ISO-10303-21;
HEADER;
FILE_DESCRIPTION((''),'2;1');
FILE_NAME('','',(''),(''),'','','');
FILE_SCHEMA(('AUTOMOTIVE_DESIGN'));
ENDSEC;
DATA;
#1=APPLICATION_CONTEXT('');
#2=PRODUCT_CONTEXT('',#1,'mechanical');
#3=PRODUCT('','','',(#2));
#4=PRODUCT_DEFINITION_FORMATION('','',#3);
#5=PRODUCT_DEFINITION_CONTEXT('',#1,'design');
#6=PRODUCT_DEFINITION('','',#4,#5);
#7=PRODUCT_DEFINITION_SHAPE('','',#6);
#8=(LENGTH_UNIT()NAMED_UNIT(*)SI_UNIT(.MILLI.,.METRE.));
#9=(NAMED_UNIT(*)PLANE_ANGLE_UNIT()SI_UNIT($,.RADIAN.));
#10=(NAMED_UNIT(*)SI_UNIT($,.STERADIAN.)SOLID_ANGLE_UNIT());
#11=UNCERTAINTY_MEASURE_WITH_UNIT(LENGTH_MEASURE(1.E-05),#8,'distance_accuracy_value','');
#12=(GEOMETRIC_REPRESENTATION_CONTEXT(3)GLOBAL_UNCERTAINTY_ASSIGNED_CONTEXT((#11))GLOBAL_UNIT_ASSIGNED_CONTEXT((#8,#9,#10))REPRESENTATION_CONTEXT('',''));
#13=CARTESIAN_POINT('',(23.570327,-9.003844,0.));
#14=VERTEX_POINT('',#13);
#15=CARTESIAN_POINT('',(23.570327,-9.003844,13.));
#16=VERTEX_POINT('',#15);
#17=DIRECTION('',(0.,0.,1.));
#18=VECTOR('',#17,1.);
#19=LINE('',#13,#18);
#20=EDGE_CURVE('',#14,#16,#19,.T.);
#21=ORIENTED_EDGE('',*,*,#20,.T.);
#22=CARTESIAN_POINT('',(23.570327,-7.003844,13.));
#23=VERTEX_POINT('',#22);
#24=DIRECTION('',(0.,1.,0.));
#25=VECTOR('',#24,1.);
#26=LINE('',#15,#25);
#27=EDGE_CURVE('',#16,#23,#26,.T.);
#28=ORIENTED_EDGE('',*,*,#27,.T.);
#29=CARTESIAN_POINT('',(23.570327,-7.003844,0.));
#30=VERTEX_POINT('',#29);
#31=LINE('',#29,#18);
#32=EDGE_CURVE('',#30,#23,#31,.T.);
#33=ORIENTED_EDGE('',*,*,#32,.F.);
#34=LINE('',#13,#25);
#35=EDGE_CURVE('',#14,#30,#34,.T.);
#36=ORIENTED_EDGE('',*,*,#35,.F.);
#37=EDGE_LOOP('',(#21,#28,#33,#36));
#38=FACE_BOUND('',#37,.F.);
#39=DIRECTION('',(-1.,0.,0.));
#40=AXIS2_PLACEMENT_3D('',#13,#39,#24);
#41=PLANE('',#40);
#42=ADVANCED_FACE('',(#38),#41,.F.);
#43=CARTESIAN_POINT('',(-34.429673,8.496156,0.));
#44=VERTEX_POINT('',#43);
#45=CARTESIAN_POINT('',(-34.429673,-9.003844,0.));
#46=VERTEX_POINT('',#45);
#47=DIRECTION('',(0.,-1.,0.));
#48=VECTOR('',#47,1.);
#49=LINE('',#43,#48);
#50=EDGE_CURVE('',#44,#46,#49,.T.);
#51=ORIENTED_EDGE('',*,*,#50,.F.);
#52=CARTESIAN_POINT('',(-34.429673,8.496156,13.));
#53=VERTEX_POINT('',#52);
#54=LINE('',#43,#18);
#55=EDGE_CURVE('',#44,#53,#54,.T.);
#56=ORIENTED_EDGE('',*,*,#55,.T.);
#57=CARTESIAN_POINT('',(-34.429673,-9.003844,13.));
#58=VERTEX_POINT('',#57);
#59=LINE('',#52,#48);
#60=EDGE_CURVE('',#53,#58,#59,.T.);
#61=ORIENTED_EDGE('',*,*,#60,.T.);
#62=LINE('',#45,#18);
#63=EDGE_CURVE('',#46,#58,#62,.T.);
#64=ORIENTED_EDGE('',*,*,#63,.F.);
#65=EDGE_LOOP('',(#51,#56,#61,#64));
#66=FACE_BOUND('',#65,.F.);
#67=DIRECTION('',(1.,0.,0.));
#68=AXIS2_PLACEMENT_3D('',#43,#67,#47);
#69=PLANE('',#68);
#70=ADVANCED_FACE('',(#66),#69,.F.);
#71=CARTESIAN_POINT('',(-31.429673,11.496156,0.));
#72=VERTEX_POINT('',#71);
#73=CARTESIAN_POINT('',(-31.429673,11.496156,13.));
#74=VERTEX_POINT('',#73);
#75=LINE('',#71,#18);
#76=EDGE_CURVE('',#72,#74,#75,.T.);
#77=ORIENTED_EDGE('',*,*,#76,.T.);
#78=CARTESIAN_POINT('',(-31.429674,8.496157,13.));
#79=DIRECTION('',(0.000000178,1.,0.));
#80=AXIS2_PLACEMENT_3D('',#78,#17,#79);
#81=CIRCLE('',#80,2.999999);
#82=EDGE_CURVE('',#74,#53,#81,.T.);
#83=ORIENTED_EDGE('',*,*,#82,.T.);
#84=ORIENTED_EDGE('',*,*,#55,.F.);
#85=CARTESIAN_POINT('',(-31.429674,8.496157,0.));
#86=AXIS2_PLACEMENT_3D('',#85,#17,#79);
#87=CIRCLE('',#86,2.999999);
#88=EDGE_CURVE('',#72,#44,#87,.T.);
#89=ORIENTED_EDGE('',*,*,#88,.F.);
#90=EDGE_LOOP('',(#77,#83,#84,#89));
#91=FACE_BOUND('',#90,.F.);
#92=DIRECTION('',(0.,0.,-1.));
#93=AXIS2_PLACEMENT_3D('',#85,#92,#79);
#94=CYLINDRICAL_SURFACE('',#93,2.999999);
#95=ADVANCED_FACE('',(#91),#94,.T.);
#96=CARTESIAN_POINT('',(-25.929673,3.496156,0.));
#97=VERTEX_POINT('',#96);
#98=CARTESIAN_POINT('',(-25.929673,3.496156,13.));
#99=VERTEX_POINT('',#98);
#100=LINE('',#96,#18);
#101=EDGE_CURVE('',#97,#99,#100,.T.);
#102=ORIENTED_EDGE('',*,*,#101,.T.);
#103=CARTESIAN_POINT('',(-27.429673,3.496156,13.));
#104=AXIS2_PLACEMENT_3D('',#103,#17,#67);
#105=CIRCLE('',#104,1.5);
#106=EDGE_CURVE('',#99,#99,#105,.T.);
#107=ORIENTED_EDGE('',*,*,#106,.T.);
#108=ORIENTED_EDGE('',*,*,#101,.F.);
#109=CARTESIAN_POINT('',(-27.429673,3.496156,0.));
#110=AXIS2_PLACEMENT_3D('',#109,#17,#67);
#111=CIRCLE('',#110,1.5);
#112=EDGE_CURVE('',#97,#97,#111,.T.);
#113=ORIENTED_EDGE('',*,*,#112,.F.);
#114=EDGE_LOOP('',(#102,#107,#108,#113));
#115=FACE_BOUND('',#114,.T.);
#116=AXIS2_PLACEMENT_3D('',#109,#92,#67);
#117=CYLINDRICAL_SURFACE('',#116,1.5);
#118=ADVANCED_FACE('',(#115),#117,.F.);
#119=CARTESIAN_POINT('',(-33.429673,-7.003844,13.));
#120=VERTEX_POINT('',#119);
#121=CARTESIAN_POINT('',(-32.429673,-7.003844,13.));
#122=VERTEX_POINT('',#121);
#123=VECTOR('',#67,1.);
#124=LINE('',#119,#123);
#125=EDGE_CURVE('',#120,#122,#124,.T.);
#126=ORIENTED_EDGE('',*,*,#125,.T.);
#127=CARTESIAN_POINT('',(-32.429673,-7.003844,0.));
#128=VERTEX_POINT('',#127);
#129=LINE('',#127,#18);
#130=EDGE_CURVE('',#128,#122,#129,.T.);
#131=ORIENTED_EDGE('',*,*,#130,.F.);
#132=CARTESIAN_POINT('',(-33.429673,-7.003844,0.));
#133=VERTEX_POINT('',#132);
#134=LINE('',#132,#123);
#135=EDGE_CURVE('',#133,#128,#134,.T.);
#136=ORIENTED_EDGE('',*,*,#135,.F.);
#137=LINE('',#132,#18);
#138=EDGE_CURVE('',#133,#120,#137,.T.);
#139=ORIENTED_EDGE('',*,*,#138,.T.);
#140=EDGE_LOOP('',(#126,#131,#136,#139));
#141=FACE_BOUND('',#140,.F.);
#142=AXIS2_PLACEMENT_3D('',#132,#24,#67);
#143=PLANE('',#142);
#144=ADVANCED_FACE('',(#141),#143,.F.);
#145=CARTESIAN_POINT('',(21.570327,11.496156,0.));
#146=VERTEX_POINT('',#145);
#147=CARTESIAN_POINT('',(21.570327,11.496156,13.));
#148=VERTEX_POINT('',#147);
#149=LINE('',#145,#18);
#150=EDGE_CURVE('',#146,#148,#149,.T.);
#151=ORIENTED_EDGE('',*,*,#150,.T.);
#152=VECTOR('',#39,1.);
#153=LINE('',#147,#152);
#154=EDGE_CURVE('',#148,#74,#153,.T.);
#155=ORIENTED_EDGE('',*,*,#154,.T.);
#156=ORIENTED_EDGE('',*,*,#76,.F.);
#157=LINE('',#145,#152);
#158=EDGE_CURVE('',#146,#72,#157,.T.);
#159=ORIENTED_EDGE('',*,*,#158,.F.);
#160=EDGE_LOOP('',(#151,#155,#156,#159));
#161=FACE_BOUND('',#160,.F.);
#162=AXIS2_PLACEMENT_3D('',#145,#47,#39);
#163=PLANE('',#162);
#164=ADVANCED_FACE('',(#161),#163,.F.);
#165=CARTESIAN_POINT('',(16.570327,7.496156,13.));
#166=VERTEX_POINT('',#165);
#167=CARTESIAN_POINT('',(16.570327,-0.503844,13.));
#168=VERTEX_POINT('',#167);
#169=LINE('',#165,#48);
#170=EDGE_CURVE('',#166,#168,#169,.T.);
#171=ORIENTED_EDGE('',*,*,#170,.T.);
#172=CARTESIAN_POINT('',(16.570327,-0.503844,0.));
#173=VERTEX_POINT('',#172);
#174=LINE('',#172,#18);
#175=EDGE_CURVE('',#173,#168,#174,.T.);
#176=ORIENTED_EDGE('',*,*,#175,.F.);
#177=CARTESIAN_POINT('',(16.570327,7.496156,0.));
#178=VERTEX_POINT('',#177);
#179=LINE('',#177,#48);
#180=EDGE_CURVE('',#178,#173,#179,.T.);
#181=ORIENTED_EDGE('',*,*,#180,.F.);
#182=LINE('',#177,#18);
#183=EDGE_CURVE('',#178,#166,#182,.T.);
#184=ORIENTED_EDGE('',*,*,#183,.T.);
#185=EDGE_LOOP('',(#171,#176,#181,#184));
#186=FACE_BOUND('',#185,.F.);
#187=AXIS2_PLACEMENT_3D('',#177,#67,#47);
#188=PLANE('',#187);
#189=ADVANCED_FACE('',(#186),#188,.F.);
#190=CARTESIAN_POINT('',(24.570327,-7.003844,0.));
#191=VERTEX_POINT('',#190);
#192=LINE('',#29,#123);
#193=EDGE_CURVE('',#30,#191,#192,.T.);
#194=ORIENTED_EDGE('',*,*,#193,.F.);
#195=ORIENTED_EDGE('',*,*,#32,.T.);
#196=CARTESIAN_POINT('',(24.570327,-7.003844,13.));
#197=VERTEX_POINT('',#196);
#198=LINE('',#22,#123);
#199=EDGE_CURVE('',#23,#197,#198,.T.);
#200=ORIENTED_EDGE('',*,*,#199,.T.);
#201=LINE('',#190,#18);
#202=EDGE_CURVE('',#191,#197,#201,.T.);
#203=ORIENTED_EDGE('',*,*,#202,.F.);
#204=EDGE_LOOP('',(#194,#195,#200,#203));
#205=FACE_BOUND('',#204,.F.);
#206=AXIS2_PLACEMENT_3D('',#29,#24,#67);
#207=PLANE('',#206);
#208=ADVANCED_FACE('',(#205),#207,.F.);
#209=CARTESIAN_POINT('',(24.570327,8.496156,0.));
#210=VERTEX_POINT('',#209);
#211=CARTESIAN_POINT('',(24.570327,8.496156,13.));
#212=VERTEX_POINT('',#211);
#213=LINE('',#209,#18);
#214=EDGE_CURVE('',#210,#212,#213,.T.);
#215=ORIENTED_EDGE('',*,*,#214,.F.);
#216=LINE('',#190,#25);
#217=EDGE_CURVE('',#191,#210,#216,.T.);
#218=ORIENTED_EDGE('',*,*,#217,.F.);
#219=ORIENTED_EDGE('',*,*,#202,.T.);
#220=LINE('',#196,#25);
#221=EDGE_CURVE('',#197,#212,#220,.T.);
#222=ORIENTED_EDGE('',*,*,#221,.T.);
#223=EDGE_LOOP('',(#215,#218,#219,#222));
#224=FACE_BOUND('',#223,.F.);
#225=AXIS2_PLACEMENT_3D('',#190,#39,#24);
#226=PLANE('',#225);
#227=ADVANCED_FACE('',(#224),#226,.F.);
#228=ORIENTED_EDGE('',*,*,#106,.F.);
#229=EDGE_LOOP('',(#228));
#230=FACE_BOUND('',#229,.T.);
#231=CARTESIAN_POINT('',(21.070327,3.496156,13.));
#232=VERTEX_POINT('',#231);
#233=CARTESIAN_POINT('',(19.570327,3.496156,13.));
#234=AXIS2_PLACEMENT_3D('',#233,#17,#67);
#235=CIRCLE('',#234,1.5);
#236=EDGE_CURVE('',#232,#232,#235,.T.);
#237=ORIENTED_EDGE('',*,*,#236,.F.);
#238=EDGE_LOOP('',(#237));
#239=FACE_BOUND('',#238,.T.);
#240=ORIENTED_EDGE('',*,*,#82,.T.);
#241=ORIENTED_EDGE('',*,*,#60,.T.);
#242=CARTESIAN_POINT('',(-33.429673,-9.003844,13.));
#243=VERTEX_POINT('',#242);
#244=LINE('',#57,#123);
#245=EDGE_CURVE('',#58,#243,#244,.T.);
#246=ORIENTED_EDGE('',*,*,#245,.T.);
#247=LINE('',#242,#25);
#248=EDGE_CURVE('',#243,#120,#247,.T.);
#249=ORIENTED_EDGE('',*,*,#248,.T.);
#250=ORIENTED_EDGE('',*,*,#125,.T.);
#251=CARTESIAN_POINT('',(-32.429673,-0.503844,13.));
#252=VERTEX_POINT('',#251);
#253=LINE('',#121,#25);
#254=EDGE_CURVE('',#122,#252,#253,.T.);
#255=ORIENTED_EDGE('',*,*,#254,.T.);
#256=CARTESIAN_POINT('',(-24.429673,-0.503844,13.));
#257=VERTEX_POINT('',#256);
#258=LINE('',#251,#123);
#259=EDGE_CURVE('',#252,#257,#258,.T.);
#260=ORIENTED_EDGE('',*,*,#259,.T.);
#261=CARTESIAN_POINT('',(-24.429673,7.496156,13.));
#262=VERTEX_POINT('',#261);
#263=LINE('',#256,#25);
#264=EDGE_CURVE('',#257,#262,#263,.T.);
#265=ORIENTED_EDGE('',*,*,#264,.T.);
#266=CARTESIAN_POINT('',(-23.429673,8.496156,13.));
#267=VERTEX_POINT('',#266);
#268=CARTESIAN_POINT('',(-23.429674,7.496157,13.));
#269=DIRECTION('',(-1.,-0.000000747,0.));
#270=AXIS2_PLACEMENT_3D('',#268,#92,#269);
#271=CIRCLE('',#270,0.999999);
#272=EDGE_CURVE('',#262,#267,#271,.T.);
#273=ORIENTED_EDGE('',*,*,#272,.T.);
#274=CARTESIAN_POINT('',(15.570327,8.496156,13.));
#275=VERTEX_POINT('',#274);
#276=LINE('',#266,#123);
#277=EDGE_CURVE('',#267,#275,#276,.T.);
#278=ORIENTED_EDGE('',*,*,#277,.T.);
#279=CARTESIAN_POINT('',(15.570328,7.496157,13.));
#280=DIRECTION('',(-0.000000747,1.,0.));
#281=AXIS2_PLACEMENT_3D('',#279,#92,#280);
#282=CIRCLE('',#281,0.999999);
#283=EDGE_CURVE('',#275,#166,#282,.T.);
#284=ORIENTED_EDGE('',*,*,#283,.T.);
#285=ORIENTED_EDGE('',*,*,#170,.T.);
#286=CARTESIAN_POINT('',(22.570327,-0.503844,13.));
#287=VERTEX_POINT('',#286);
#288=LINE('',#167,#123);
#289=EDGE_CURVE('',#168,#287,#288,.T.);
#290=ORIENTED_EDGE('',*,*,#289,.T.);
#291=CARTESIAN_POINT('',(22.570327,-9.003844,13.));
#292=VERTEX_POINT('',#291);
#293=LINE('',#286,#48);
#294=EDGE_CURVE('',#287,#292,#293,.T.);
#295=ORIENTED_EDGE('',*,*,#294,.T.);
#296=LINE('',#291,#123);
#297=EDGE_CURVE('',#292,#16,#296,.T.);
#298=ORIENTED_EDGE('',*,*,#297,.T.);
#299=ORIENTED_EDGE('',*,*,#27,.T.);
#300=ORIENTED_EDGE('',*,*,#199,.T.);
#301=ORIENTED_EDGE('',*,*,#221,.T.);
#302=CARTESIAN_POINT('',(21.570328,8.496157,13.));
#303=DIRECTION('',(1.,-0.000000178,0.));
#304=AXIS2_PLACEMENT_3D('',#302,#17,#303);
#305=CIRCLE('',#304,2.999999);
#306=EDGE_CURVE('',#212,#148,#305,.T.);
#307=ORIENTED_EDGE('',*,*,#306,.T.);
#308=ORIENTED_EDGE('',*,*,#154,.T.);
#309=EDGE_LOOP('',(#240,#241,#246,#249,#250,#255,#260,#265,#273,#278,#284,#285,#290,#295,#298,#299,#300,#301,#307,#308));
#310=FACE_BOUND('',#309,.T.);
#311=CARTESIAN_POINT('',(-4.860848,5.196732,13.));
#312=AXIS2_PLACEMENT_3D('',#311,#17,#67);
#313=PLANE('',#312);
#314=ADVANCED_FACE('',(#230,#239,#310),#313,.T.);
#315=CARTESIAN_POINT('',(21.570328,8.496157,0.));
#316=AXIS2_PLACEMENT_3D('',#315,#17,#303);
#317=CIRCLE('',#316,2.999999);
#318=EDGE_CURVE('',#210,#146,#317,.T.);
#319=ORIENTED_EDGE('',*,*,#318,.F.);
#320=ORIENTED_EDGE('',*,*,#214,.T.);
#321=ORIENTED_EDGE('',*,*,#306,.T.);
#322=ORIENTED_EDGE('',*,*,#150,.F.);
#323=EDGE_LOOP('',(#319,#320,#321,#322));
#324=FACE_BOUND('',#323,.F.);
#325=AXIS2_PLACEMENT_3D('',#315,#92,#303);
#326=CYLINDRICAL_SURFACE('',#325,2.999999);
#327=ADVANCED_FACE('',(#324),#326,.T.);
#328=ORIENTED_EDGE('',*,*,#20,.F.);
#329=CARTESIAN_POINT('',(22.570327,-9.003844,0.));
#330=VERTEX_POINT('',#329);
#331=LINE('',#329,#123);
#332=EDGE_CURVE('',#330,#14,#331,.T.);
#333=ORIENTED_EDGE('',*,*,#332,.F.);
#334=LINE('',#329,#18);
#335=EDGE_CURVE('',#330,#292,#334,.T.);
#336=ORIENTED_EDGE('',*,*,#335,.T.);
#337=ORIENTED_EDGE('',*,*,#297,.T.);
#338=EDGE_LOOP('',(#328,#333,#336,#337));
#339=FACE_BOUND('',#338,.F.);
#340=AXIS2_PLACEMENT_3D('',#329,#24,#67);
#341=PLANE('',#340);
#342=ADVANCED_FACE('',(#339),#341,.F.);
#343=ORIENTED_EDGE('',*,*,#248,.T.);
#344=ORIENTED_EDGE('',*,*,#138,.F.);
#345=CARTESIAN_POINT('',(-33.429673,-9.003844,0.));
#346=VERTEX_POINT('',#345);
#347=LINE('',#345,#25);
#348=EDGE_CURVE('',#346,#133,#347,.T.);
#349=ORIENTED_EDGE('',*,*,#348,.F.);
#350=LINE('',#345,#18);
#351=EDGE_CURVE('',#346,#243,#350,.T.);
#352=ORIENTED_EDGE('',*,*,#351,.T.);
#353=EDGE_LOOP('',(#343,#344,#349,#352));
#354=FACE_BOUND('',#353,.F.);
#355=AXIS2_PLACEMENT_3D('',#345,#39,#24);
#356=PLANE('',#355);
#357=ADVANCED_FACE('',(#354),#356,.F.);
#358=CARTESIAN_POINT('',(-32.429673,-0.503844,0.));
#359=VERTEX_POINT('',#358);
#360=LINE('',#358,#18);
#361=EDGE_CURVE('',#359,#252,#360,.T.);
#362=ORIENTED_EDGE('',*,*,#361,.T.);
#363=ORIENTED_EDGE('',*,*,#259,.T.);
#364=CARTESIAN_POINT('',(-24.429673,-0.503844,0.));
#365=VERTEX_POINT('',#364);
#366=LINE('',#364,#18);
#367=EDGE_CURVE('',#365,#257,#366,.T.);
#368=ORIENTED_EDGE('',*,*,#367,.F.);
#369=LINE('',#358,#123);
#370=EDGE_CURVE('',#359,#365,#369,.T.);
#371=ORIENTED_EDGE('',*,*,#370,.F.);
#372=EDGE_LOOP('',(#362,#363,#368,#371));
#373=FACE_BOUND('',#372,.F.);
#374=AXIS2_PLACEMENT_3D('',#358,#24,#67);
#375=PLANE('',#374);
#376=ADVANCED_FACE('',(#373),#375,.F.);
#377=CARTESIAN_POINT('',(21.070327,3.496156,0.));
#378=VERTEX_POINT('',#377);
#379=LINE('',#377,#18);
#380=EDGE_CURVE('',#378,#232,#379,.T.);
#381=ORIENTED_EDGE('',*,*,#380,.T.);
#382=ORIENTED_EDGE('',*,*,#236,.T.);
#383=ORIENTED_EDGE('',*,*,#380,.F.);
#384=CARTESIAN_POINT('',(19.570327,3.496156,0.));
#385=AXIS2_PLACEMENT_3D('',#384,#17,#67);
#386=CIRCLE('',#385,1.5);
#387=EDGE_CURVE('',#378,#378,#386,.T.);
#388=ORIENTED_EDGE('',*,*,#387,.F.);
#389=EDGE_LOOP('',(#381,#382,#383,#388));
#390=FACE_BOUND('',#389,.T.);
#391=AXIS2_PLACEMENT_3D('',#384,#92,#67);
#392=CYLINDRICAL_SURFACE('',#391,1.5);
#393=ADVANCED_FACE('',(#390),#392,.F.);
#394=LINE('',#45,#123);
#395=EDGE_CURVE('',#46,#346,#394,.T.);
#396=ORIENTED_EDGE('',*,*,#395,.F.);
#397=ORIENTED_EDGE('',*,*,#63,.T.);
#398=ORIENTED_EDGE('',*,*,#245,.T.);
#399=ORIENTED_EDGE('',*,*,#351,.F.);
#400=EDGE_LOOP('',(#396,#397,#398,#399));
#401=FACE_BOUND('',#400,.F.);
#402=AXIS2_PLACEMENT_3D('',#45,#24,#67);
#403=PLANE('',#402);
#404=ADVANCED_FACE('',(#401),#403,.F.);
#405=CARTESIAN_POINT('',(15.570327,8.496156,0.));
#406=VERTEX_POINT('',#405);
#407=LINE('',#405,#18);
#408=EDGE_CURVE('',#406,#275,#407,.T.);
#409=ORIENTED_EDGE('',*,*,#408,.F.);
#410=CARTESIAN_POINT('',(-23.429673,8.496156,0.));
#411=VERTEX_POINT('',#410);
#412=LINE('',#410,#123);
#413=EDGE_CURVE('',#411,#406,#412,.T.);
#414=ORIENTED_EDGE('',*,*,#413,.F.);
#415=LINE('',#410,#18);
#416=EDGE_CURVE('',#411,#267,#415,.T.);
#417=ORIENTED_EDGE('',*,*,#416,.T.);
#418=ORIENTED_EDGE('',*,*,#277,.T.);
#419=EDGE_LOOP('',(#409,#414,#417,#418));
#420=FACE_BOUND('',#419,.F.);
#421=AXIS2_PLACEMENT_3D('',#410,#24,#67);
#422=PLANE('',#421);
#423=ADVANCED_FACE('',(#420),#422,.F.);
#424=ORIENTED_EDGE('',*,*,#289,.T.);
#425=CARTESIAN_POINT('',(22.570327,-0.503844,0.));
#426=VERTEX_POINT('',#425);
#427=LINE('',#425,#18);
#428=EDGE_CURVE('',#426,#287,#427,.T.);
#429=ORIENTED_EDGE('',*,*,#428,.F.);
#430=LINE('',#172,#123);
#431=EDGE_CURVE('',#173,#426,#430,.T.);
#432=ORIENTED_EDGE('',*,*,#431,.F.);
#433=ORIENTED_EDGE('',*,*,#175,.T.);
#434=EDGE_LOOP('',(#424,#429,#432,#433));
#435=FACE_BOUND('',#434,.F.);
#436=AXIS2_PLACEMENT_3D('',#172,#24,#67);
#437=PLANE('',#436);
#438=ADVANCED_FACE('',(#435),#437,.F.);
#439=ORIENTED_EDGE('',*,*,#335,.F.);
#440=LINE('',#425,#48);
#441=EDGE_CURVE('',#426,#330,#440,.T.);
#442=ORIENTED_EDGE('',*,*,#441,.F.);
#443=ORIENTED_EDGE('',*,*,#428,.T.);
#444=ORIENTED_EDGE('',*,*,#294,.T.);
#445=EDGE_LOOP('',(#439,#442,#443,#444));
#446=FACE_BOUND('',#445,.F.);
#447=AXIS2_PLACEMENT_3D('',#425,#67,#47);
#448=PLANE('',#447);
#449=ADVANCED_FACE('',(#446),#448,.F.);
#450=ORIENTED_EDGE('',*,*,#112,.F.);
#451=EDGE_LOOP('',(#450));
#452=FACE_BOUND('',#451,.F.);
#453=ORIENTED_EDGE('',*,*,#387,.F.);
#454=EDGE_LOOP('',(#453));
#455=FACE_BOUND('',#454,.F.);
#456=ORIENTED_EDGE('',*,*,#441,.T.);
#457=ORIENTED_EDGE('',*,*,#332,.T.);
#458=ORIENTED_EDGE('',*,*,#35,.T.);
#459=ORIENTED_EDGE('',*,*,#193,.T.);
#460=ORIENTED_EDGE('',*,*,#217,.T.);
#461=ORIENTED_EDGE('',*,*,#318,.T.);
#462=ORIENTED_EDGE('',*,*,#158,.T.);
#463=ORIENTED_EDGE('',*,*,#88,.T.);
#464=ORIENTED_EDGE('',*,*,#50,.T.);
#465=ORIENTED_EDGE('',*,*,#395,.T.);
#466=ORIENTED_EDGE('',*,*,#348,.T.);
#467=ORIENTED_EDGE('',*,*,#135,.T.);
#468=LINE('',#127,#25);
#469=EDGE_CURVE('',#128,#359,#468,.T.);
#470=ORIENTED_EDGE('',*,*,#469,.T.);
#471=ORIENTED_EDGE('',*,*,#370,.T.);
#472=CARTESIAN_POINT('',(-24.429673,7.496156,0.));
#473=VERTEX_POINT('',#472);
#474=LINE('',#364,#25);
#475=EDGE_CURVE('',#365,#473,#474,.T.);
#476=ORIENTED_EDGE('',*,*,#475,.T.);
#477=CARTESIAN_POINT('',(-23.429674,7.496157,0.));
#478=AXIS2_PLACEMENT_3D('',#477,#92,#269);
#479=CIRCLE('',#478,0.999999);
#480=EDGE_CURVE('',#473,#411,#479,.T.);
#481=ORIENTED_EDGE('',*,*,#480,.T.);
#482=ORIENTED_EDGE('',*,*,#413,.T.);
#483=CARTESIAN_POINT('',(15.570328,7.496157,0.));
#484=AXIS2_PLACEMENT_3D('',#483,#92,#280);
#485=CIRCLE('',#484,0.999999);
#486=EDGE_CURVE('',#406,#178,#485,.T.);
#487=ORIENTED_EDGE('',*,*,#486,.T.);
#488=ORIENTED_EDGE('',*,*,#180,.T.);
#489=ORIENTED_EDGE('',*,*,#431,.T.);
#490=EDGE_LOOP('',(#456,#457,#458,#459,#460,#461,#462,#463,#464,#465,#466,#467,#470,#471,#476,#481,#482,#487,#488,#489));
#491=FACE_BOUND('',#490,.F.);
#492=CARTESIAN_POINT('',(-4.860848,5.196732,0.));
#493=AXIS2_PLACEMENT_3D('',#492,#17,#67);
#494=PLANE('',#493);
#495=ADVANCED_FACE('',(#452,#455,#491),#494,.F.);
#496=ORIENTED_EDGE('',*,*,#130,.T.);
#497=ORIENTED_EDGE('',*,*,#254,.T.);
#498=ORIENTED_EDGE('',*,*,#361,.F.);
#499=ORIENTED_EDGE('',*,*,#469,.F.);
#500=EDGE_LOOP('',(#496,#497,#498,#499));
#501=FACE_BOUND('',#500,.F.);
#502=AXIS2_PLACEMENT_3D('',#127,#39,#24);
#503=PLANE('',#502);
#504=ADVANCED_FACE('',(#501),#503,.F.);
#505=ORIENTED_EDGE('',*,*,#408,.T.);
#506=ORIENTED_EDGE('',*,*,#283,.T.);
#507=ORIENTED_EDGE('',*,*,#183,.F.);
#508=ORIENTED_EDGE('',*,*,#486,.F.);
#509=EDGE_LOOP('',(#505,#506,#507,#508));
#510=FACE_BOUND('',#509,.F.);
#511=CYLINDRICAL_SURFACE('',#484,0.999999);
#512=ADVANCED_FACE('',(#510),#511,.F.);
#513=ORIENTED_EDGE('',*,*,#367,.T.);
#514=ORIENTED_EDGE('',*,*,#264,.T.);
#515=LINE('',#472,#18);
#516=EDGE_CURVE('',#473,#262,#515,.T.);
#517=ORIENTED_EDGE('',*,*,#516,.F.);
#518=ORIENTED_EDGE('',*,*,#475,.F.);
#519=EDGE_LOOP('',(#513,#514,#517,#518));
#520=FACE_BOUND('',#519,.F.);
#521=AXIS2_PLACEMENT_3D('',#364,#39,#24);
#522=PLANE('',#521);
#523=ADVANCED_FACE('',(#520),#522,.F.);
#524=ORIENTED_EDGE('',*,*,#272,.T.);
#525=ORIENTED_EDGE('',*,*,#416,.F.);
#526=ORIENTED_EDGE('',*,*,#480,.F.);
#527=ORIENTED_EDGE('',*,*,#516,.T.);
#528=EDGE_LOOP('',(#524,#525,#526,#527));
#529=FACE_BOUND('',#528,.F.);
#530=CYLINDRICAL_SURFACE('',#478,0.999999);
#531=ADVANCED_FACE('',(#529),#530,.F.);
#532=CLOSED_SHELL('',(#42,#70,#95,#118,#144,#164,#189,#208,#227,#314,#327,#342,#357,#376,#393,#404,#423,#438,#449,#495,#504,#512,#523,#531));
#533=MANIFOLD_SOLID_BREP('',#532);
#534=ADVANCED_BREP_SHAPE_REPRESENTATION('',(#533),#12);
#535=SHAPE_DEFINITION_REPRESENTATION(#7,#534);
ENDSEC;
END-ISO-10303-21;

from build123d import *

# Parameters (mm, degrees)
F0_R     = 1.5
F1_DEPTH = 13


with BuildPart() as f1:
    # F0 (on Top) → F1 (new body)
    with BuildSketch(Plane.XY):
        with BuildLine():
            ThreePointArc((-24.429673, 7.496156), (-24.13678, 8.203263), (-23.429673, 8.496156))
            Line((-23.429673, 8.496156), (15.570327, 8.496156))
            ThreePointArc((15.570327, 8.496156), (16.277434, 8.203263), (16.570327, 7.496156))
            Line((16.570327, 7.496156), (16.570327, -0.503844))
            Line((16.570327, -0.503844), (22.570327, -0.503844))
            Line((22.570327, -0.503844), (22.570327, -9.003844))
            Line((22.570327, -9.003844), (23.570327, -9.003844))
            Line((23.570327, -9.003844), (23.570327, -7.003844))
            Line((23.570327, -7.003844), (24.570327, -7.003844))
            Line((24.570327, -7.003844), (24.570327, 8.496156))
            ThreePointArc((24.570327, 8.496156), (23.691647, 10.617477), (21.570327, 11.496156))
            Line((21.570327, 11.496156), (-31.429673, 11.496156))
            ThreePointArc((-31.429673, 11.496156), (-33.550993, 10.617477), (-34.429673, 8.496156))
            Line((-34.429673, 8.496156), (-34.429673, -9.003844))
            Line((-34.429673, -9.003844), (-33.429673, -9.003844))
            Line((-33.429673, -9.003844), (-33.429673, -7.003844))
            Line((-33.429673, -7.003844), (-32.429673, -7.003844))
            Line((-32.429673, -7.003844), (-32.429673, -0.503844))
            Line((-32.429673, -0.503844), (-24.429673, -0.503844))
            Line((-24.429673, -0.503844), (-24.429673, 7.496156))
        make_face()
        with Locations((-27.429673, 3.496156)):
            Circle(F0_R, mode=Mode.SUBTRACT)
        with Locations((19.570327, 3.496156)):
            Circle(F0_R, mode=Mode.SUBTRACT)
    extrude(amount=F1_DEPTH)


solid = f1.part
